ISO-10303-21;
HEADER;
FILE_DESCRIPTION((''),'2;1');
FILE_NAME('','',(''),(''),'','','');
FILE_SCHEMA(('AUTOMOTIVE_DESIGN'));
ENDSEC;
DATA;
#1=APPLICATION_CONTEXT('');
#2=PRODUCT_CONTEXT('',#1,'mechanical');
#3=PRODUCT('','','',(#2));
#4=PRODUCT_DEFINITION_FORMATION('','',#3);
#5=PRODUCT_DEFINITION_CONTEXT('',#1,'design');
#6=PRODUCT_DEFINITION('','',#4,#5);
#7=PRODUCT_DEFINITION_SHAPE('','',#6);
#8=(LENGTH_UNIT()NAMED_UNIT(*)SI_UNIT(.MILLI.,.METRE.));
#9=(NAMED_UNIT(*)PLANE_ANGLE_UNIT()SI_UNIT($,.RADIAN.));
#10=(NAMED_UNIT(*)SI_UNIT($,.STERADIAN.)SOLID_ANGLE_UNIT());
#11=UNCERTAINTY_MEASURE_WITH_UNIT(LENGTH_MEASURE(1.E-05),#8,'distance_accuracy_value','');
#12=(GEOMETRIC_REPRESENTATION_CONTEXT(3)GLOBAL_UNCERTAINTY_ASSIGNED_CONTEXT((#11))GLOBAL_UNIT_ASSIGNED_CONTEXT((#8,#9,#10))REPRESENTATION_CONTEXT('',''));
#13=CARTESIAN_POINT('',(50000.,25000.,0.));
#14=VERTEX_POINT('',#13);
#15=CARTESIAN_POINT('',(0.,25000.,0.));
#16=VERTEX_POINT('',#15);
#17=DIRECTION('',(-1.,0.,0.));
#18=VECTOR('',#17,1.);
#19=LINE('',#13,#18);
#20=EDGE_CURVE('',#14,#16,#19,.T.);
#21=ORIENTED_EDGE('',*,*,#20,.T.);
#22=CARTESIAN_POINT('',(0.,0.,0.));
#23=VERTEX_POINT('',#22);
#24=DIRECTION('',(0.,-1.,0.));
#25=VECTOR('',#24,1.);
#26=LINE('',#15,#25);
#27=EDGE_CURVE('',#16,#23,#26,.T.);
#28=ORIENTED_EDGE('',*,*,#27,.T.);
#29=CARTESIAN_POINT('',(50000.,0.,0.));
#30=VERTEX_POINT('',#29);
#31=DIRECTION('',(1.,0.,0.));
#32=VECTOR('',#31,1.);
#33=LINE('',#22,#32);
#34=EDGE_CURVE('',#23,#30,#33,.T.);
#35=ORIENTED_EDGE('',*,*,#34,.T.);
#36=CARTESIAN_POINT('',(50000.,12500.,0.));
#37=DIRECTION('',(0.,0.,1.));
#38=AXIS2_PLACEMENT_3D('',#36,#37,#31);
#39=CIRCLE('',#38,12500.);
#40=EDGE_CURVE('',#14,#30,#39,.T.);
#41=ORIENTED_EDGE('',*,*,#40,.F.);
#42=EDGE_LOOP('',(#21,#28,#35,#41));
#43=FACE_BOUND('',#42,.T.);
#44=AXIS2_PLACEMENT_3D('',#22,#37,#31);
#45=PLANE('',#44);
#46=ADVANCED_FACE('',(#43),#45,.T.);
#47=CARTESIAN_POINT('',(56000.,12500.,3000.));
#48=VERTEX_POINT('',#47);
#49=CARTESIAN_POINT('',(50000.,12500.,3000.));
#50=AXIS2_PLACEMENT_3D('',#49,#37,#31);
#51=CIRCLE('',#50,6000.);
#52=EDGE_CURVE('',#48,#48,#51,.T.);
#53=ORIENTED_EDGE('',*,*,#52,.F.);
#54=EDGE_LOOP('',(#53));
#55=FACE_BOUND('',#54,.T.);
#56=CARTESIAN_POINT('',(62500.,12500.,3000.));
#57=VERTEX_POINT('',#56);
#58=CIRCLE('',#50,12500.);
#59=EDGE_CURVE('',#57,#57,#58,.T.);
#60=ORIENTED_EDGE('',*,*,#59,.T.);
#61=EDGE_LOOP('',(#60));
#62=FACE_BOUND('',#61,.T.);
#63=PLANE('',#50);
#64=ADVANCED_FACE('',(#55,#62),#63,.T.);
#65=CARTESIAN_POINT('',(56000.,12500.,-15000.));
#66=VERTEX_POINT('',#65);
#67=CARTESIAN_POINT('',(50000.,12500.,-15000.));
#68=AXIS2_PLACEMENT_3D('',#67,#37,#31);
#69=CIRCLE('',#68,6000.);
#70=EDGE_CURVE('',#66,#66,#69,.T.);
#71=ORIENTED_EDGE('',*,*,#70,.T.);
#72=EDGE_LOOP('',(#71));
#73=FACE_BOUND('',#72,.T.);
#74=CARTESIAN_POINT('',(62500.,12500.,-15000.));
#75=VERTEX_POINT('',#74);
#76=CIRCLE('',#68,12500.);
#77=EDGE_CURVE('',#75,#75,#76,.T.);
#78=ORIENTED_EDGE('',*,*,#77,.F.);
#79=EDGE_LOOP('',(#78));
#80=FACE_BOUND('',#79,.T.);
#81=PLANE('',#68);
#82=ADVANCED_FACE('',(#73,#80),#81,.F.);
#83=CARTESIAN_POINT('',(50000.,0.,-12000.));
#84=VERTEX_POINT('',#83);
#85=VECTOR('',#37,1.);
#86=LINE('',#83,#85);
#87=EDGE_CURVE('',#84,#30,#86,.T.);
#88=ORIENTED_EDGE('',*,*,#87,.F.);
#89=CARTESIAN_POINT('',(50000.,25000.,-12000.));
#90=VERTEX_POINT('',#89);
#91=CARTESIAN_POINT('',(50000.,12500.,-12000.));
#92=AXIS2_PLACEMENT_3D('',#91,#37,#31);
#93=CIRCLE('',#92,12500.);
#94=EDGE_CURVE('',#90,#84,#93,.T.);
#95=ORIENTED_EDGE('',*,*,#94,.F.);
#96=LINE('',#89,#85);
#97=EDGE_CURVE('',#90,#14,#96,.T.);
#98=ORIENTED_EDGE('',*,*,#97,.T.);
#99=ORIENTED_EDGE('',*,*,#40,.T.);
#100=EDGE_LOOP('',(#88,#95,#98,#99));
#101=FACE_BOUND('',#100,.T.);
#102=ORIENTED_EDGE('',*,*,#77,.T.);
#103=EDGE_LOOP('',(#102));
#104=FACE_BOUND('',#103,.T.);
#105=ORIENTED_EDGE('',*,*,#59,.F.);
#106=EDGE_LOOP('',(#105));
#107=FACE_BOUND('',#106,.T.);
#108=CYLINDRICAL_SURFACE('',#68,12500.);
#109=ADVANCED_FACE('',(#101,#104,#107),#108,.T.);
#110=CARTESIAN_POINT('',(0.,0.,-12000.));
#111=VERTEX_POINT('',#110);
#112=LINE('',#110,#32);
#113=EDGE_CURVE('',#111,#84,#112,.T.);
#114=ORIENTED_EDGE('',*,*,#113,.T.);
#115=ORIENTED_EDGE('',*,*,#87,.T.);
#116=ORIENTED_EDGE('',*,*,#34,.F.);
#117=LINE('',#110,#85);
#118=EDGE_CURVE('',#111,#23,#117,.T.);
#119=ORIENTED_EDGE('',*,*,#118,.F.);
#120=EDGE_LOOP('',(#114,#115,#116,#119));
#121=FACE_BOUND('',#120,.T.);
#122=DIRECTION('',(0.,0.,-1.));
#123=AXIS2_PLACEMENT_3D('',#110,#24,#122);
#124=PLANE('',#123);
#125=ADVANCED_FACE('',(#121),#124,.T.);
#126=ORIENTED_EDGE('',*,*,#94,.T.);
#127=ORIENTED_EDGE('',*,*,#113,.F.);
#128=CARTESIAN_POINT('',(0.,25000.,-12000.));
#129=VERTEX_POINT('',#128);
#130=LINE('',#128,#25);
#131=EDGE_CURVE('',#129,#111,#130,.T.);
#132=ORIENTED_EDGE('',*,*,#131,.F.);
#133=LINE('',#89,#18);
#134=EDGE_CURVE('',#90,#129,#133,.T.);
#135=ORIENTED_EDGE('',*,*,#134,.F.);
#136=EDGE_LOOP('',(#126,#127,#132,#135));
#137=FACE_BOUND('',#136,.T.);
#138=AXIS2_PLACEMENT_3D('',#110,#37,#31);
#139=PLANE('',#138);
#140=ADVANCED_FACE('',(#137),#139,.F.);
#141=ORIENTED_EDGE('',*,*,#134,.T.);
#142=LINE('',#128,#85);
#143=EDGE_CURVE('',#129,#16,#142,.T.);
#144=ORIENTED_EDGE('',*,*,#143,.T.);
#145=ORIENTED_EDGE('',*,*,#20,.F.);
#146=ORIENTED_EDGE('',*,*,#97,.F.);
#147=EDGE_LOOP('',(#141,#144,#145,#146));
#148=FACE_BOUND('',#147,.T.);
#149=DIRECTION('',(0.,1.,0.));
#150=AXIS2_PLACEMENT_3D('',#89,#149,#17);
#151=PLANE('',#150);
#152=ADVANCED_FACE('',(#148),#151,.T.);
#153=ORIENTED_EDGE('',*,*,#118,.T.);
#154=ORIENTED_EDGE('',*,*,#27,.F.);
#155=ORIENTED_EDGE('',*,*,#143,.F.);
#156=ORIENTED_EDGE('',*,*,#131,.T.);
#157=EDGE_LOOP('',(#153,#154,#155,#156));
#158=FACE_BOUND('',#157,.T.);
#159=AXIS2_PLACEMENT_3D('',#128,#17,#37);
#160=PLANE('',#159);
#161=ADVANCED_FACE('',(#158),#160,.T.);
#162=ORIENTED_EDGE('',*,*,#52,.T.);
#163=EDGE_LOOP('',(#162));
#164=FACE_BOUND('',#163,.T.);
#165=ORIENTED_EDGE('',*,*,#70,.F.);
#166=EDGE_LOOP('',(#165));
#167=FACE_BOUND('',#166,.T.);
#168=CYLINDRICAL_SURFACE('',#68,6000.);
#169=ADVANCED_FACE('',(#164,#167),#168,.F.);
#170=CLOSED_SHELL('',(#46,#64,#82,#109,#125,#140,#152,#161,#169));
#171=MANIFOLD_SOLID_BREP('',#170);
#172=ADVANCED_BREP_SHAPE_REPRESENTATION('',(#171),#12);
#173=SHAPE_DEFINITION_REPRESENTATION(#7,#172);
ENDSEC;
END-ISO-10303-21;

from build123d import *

# Parameters (mm, degrees)
SKETCH1_W           = 50000
SKETCH1_H           = 25000
BOSS_EXTRUDE1_DEPTH = 12000
SKETCH2_R           = 12500
BOSS_EXTRUDE2_DEPTH = 15000
BOSS_EXTRUDE3_START = 3000
SKETCH3_R           = 12500
BOSS_EXTRUDE3_DEPTH = 3000
SKETCH4_R           = 6000
CUT_EXTRUDE1_DEPTH  = 18000


with BuildPart() as part:
    # Sketch1 → Boss-Extrude1 (new body)
    with BuildSketch(Plane.XY):
        with Locations((25000, 12500)):
            Rectangle(SKETCH1_W, SKETCH1_H)
    extrude(amount=-BOSS_EXTRUDE1_DEPTH)

    # Sketch2 → Boss-Extrude2 (add)
    with BuildSketch(Plane.XY):
        with Locations((50000, 12500)):
            Circle(SKETCH2_R)
    extrude(amount=-BOSS_EXTRUDE2_DEPTH)

    # Sketch3 → Boss-Extrude3 (add)
    with BuildSketch(Plane.XY.offset(BOSS_EXTRUDE3_START)):
        with Locations((50000, 12500)):
            Circle(SKETCH3_R)
    extrude(amount=-BOSS_EXTRUDE3_DEPTH)

    # Sketch4 → Cut-Extrude1 (cut)
    with BuildSketch(Plane.XY.offset(3000)):
        with Locations((50000, 12500)):
            Circle(SKETCH4_R)
    extrude(amount=-CUT_EXTRUDE1_DEPTH, mode=Mode.SUBTRACT)


solid = part.part
